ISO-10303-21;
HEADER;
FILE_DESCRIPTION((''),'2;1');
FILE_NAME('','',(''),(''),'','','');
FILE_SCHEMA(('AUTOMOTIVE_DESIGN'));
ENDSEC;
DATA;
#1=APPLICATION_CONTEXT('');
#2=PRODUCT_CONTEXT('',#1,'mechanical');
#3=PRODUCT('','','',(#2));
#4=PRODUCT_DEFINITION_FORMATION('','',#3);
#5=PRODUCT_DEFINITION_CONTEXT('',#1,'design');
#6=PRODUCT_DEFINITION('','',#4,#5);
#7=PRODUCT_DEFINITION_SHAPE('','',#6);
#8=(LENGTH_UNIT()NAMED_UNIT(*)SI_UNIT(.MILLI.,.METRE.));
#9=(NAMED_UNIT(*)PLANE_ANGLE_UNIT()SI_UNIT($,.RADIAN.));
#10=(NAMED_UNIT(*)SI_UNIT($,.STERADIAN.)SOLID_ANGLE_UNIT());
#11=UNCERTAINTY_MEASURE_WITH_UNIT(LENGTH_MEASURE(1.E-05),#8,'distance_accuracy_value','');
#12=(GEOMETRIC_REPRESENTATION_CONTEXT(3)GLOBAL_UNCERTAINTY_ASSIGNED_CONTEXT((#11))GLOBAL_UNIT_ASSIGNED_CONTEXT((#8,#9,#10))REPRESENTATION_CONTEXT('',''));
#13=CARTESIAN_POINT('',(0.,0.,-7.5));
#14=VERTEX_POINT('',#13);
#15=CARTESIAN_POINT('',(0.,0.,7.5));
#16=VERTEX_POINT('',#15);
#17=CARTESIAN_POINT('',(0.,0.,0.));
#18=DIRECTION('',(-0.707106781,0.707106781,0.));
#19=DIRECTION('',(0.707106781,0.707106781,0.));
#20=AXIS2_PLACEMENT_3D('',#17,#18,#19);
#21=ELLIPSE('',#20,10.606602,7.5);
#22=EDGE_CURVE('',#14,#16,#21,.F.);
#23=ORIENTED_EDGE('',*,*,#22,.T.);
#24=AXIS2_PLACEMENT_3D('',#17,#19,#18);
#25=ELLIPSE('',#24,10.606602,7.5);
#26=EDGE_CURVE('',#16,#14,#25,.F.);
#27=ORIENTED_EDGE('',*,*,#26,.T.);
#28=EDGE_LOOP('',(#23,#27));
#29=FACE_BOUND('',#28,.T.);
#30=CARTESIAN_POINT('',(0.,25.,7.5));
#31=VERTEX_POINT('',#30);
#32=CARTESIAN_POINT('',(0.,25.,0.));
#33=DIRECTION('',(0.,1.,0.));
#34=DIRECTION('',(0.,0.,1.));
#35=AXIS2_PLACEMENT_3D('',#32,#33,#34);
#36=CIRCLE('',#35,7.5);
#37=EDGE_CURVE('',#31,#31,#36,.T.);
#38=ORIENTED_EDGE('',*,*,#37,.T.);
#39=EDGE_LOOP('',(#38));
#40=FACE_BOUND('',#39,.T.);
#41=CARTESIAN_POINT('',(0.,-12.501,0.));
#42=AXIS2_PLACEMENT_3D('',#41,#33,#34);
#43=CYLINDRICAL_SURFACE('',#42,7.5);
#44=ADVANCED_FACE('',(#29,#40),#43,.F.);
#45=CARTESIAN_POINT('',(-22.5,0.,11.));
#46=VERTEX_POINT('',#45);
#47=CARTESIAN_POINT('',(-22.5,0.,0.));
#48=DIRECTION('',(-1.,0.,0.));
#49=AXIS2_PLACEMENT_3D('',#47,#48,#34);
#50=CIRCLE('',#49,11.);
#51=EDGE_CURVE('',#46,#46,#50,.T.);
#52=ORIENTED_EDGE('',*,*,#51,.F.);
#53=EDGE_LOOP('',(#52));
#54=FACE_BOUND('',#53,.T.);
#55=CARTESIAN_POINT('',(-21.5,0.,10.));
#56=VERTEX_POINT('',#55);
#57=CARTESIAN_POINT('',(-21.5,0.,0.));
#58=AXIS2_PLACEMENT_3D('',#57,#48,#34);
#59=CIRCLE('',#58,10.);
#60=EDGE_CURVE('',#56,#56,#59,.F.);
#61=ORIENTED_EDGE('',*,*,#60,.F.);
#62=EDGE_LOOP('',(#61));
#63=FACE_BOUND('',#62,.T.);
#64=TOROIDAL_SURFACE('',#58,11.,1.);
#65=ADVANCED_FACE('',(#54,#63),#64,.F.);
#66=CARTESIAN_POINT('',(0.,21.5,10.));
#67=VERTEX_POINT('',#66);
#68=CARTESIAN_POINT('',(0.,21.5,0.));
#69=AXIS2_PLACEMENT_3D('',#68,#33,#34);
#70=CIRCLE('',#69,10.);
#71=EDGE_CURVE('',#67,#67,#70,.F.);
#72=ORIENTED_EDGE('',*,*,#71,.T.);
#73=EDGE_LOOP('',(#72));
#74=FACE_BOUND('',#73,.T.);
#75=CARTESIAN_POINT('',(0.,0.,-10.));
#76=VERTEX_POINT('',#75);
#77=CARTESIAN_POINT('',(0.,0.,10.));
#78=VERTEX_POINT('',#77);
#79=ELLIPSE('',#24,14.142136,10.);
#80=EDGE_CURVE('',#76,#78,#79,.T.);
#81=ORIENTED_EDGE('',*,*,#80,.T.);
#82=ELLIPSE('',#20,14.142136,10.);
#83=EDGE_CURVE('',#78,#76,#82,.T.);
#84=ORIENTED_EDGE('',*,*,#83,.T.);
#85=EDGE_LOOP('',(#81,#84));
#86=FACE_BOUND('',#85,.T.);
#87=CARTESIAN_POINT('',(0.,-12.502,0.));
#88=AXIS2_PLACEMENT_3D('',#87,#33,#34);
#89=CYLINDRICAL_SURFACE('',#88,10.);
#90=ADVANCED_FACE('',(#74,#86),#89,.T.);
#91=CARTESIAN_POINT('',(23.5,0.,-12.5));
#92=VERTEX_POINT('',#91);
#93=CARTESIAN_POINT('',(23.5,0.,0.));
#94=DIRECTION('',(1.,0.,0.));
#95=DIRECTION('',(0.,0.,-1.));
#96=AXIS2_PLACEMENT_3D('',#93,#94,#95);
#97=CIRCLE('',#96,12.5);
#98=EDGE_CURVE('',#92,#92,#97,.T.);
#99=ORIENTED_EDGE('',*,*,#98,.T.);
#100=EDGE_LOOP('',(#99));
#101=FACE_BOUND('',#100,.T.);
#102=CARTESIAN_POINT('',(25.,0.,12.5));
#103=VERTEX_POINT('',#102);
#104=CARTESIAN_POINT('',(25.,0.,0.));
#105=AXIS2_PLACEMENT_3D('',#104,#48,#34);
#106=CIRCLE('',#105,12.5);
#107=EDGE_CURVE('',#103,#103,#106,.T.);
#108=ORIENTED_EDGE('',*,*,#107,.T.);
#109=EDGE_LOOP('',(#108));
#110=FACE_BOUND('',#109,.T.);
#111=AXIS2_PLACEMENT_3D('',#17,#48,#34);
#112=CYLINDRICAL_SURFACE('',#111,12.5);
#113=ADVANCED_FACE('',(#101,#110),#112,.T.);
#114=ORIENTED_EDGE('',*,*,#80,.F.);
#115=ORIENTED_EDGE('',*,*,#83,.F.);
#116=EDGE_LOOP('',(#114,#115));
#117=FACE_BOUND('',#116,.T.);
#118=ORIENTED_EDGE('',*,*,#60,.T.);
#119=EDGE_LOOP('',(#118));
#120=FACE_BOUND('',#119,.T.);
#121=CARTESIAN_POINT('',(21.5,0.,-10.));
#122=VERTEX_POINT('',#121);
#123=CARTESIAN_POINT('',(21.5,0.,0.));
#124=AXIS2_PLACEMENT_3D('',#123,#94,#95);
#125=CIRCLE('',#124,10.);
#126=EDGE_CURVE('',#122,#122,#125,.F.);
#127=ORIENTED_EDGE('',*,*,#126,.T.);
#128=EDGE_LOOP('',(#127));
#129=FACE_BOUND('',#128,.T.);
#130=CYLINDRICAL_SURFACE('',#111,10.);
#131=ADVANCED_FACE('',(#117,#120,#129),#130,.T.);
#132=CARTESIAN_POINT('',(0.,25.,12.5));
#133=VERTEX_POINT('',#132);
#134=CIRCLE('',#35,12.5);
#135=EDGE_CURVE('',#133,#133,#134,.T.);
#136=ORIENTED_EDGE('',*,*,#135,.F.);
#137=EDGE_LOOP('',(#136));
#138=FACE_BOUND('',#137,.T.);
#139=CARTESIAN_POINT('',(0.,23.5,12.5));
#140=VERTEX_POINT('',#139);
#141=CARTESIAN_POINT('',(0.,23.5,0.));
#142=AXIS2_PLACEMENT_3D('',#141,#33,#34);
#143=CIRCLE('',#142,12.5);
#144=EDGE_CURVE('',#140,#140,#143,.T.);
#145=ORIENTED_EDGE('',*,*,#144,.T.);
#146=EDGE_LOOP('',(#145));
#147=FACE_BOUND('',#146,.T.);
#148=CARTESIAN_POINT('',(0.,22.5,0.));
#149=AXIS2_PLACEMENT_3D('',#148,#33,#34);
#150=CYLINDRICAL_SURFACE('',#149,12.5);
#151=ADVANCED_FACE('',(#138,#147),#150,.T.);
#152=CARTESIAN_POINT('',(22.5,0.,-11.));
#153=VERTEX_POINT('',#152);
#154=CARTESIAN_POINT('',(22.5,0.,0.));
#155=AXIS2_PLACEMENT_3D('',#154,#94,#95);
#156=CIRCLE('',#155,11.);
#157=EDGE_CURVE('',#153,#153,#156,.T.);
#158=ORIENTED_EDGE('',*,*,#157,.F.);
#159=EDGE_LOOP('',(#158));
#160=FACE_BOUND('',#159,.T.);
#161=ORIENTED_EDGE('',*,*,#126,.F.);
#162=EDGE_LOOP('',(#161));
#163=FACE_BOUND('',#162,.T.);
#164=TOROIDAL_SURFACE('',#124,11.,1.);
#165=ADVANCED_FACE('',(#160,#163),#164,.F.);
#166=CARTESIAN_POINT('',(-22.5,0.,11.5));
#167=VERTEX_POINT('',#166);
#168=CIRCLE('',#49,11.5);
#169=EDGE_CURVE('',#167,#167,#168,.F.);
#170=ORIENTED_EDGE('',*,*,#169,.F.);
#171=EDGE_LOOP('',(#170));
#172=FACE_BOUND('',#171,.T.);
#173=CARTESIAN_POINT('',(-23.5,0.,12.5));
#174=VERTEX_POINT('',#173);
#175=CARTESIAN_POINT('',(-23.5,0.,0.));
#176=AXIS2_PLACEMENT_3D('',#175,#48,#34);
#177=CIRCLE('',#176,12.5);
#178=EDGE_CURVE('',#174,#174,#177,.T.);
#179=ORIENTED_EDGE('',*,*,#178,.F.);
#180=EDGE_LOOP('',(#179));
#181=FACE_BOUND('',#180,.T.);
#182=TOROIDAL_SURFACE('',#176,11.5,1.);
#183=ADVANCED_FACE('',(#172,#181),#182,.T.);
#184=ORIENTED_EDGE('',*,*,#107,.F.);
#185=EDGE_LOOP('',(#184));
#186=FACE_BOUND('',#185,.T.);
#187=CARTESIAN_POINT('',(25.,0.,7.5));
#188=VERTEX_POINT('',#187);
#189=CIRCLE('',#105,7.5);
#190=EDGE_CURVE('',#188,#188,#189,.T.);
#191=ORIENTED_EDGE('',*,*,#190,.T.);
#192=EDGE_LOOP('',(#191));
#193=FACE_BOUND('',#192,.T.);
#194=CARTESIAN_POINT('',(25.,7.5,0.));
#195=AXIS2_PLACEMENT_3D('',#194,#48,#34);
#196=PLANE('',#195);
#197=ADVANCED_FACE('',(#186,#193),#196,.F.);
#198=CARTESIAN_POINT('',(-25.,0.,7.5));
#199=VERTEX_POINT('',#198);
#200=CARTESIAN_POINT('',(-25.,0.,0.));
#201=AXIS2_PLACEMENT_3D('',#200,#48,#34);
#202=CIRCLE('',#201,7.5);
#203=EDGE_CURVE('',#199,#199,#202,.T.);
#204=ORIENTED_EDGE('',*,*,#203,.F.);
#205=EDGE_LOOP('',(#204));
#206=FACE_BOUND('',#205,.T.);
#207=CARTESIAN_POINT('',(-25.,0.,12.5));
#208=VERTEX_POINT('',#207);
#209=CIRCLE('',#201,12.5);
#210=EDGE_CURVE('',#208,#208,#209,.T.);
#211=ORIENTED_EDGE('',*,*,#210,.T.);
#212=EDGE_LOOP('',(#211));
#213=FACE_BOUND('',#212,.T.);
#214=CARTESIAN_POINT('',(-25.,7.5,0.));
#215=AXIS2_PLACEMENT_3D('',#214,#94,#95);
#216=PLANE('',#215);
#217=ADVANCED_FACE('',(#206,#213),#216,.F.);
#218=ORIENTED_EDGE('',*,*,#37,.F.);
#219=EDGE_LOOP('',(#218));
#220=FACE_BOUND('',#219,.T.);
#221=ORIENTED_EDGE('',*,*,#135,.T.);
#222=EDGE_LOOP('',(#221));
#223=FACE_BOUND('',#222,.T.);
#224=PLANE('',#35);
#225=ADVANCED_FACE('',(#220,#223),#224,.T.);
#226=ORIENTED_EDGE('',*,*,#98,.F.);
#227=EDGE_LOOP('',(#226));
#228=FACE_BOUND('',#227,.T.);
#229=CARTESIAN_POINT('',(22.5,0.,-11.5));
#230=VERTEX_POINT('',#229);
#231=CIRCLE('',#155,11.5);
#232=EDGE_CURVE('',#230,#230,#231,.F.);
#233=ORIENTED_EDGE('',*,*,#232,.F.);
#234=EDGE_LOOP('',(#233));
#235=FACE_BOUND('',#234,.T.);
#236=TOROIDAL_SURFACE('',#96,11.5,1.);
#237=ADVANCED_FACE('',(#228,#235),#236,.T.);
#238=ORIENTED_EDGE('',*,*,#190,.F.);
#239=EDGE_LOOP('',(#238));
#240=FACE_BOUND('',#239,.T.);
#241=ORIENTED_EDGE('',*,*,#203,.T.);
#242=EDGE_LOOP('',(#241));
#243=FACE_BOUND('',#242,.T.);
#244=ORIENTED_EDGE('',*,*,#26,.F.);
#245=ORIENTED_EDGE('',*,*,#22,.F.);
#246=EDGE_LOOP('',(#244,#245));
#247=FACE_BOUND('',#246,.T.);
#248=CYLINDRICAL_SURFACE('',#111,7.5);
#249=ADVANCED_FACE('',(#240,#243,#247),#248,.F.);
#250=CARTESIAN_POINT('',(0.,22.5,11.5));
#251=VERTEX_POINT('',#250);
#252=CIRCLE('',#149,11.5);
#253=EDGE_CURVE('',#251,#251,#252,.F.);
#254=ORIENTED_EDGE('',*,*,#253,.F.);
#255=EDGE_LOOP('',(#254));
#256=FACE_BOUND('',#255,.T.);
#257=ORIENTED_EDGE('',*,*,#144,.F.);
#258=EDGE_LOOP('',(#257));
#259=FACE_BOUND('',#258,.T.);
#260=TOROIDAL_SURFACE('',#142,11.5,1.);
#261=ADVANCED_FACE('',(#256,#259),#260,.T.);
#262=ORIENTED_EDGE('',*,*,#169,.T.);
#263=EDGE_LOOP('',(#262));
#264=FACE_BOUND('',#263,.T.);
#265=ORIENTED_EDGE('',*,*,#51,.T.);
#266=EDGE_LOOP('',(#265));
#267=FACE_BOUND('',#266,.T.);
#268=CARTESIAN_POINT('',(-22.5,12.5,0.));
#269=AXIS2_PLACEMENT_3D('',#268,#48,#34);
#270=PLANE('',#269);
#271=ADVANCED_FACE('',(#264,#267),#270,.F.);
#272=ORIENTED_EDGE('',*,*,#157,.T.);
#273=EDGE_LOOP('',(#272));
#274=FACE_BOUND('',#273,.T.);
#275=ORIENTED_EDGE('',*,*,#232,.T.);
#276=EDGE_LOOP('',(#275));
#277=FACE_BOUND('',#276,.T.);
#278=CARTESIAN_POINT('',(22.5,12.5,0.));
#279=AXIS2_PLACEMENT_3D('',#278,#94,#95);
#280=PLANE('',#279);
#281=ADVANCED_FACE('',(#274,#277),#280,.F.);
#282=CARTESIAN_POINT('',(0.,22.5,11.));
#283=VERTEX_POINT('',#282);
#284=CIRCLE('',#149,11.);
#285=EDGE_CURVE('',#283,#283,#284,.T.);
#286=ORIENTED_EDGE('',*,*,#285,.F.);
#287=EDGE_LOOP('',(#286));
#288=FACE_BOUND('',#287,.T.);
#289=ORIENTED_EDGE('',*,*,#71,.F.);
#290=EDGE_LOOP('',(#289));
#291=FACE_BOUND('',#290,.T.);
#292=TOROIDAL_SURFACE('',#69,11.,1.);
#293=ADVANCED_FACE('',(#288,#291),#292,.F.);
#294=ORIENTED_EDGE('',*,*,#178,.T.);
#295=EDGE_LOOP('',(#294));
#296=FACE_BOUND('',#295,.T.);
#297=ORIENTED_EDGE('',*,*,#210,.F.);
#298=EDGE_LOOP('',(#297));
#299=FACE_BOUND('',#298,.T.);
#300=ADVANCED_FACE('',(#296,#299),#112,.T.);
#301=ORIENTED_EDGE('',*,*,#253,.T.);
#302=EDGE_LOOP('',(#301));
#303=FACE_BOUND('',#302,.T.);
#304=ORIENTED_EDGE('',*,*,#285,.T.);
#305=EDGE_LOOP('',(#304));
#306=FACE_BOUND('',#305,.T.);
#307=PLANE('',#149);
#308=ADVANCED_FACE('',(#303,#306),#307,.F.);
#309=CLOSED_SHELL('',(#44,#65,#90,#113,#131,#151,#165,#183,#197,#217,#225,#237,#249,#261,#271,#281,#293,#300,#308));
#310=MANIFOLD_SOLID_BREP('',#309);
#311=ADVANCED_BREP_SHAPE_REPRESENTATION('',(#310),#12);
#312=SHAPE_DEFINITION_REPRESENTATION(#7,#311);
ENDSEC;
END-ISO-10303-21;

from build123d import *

# Parameters (mm, degrees)
BOSS_EXTRUDE1_REACH      = 48.771
BOSS_EXTRUDE1_END_RADIUS = 10
SKETCH2_R                = 10
SKETCH3_R                = 12.5
BOSS_EXTRUDE2_DEPTH      = 2.5
CUT_EXTRUDE1_REACH       = 48.771
CUT_EXTRUDE1_END_RADIUS  = 7.5
SKETCH6_R                = 7.5
FILLET1_R                = 1
FILLET2_R                = 1


with BuildPart() as part:
    # Sketch1 → Revolve1 (revolve)
    with BuildSketch(Plane.XY, mode=Mode.PRIVATE) as revolve1_sk:
        Polygon((-25, 7.5), (-25, 12.5), (-22.5, 12.5), (-22.5, 10), (22.5, 10), (22.5, 12.5), (25, 12.5), (25, 7.5), align=None)
    revolve(revolve1_sk.sketch.rotate(Axis((0, 0, 0), (1, 0, 0)), 90), axis=Axis((0, 0, 0), (1, 0, 0)))

    # Boss-Extrude1: up to this cylinder (the profile starts outside it)
    boss_extrude1_end = Plane(origin=(0, 0, 0), z_dir=(-1, 0, 0)) * Cylinder(BOSS_EXTRUDE1_END_RADIUS, 118.542, mode=Mode.PRIVATE)
    # Sketch2 → Boss-Extrude1 (add, up to the surface)
    with BuildSketch(Plane(origin=(0, 25, 0), x_dir=(1, 0, 0), z_dir=(0, 1, 0)), mode=Mode.PRIVATE) as boss_extrude1_sk1:
        with Locations(Location((0, 0, 0), (0, 0, 270))):
            Circle(SKETCH2_R)
    boss_extrude1_tool1 = extrude(boss_extrude1_sk1.sketch, amount=-BOSS_EXTRUDE1_REACH, mode=Mode.PRIVATE) - boss_extrude1_end
    add(boss_extrude1_tool1.solids().sort_by_distance((0, 25, 0))[0])

    # Sketch3 → Boss-Extrude2 (add)
    with BuildSketch(Plane(origin=(0, 25, 0), x_dir=(1, 0, 0), z_dir=(0, 1, 0))):
        with Locations(Location((0, 0, 0), (0, 0, 270))):
            Circle(SKETCH3_R)
    extrude(amount=-BOSS_EXTRUDE2_DEPTH)

    # Cut-Extrude1: up to this cylinder (the profile starts outside it)
    cut_extrude1_end = Plane(origin=(0, 0, 0), z_dir=(-1, 0, 0)) * Cylinder(CUT_EXTRUDE1_END_RADIUS, 113.542, mode=Mode.PRIVATE)
    # Sketch6 → Cut-Extrude1 (cut, up to the surface)
    with BuildSketch(Plane(origin=(0, 25, 0), x_dir=(1, 0, 0), z_dir=(0, 1, 0)), mode=Mode.PRIVATE) as cut_extrude1_sk1:
        with Locations(Location((0, 0, 0), (0, 0, 270))):
            Circle(SKETCH6_R)
    cut_extrude1_tool1 = extrude(cut_extrude1_sk1.sketch, amount=-CUT_EXTRUDE1_REACH, mode=Mode.PRIVATE) - cut_extrude1_end
    add(cut_extrude1_tool1.solids().sort_by_distance((0, 25, 0))[0], mode=Mode.SUBTRACT)

    # Fillet1
    fillet1_edges = [part.edges().sort_by_distance(p)[0] for p in [
        (0, 22.5, -10),
        (22.5, 0, -10),
        (-22.5, 0, -10),
    ]]
    fillet(fillet1_edges, radius=FILLET1_R)

    # Fillet2
    fillet2_edges = [part.edges().sort_by_distance(p)[0] for p in [
        (0, 22.5, -12.5),
        (22.5, 0, -12.5),
        (-22.5, 0, -12.5),
    ]]
    fillet(fillet2_edges, radius=FILLET2_R)


solid = part.part
